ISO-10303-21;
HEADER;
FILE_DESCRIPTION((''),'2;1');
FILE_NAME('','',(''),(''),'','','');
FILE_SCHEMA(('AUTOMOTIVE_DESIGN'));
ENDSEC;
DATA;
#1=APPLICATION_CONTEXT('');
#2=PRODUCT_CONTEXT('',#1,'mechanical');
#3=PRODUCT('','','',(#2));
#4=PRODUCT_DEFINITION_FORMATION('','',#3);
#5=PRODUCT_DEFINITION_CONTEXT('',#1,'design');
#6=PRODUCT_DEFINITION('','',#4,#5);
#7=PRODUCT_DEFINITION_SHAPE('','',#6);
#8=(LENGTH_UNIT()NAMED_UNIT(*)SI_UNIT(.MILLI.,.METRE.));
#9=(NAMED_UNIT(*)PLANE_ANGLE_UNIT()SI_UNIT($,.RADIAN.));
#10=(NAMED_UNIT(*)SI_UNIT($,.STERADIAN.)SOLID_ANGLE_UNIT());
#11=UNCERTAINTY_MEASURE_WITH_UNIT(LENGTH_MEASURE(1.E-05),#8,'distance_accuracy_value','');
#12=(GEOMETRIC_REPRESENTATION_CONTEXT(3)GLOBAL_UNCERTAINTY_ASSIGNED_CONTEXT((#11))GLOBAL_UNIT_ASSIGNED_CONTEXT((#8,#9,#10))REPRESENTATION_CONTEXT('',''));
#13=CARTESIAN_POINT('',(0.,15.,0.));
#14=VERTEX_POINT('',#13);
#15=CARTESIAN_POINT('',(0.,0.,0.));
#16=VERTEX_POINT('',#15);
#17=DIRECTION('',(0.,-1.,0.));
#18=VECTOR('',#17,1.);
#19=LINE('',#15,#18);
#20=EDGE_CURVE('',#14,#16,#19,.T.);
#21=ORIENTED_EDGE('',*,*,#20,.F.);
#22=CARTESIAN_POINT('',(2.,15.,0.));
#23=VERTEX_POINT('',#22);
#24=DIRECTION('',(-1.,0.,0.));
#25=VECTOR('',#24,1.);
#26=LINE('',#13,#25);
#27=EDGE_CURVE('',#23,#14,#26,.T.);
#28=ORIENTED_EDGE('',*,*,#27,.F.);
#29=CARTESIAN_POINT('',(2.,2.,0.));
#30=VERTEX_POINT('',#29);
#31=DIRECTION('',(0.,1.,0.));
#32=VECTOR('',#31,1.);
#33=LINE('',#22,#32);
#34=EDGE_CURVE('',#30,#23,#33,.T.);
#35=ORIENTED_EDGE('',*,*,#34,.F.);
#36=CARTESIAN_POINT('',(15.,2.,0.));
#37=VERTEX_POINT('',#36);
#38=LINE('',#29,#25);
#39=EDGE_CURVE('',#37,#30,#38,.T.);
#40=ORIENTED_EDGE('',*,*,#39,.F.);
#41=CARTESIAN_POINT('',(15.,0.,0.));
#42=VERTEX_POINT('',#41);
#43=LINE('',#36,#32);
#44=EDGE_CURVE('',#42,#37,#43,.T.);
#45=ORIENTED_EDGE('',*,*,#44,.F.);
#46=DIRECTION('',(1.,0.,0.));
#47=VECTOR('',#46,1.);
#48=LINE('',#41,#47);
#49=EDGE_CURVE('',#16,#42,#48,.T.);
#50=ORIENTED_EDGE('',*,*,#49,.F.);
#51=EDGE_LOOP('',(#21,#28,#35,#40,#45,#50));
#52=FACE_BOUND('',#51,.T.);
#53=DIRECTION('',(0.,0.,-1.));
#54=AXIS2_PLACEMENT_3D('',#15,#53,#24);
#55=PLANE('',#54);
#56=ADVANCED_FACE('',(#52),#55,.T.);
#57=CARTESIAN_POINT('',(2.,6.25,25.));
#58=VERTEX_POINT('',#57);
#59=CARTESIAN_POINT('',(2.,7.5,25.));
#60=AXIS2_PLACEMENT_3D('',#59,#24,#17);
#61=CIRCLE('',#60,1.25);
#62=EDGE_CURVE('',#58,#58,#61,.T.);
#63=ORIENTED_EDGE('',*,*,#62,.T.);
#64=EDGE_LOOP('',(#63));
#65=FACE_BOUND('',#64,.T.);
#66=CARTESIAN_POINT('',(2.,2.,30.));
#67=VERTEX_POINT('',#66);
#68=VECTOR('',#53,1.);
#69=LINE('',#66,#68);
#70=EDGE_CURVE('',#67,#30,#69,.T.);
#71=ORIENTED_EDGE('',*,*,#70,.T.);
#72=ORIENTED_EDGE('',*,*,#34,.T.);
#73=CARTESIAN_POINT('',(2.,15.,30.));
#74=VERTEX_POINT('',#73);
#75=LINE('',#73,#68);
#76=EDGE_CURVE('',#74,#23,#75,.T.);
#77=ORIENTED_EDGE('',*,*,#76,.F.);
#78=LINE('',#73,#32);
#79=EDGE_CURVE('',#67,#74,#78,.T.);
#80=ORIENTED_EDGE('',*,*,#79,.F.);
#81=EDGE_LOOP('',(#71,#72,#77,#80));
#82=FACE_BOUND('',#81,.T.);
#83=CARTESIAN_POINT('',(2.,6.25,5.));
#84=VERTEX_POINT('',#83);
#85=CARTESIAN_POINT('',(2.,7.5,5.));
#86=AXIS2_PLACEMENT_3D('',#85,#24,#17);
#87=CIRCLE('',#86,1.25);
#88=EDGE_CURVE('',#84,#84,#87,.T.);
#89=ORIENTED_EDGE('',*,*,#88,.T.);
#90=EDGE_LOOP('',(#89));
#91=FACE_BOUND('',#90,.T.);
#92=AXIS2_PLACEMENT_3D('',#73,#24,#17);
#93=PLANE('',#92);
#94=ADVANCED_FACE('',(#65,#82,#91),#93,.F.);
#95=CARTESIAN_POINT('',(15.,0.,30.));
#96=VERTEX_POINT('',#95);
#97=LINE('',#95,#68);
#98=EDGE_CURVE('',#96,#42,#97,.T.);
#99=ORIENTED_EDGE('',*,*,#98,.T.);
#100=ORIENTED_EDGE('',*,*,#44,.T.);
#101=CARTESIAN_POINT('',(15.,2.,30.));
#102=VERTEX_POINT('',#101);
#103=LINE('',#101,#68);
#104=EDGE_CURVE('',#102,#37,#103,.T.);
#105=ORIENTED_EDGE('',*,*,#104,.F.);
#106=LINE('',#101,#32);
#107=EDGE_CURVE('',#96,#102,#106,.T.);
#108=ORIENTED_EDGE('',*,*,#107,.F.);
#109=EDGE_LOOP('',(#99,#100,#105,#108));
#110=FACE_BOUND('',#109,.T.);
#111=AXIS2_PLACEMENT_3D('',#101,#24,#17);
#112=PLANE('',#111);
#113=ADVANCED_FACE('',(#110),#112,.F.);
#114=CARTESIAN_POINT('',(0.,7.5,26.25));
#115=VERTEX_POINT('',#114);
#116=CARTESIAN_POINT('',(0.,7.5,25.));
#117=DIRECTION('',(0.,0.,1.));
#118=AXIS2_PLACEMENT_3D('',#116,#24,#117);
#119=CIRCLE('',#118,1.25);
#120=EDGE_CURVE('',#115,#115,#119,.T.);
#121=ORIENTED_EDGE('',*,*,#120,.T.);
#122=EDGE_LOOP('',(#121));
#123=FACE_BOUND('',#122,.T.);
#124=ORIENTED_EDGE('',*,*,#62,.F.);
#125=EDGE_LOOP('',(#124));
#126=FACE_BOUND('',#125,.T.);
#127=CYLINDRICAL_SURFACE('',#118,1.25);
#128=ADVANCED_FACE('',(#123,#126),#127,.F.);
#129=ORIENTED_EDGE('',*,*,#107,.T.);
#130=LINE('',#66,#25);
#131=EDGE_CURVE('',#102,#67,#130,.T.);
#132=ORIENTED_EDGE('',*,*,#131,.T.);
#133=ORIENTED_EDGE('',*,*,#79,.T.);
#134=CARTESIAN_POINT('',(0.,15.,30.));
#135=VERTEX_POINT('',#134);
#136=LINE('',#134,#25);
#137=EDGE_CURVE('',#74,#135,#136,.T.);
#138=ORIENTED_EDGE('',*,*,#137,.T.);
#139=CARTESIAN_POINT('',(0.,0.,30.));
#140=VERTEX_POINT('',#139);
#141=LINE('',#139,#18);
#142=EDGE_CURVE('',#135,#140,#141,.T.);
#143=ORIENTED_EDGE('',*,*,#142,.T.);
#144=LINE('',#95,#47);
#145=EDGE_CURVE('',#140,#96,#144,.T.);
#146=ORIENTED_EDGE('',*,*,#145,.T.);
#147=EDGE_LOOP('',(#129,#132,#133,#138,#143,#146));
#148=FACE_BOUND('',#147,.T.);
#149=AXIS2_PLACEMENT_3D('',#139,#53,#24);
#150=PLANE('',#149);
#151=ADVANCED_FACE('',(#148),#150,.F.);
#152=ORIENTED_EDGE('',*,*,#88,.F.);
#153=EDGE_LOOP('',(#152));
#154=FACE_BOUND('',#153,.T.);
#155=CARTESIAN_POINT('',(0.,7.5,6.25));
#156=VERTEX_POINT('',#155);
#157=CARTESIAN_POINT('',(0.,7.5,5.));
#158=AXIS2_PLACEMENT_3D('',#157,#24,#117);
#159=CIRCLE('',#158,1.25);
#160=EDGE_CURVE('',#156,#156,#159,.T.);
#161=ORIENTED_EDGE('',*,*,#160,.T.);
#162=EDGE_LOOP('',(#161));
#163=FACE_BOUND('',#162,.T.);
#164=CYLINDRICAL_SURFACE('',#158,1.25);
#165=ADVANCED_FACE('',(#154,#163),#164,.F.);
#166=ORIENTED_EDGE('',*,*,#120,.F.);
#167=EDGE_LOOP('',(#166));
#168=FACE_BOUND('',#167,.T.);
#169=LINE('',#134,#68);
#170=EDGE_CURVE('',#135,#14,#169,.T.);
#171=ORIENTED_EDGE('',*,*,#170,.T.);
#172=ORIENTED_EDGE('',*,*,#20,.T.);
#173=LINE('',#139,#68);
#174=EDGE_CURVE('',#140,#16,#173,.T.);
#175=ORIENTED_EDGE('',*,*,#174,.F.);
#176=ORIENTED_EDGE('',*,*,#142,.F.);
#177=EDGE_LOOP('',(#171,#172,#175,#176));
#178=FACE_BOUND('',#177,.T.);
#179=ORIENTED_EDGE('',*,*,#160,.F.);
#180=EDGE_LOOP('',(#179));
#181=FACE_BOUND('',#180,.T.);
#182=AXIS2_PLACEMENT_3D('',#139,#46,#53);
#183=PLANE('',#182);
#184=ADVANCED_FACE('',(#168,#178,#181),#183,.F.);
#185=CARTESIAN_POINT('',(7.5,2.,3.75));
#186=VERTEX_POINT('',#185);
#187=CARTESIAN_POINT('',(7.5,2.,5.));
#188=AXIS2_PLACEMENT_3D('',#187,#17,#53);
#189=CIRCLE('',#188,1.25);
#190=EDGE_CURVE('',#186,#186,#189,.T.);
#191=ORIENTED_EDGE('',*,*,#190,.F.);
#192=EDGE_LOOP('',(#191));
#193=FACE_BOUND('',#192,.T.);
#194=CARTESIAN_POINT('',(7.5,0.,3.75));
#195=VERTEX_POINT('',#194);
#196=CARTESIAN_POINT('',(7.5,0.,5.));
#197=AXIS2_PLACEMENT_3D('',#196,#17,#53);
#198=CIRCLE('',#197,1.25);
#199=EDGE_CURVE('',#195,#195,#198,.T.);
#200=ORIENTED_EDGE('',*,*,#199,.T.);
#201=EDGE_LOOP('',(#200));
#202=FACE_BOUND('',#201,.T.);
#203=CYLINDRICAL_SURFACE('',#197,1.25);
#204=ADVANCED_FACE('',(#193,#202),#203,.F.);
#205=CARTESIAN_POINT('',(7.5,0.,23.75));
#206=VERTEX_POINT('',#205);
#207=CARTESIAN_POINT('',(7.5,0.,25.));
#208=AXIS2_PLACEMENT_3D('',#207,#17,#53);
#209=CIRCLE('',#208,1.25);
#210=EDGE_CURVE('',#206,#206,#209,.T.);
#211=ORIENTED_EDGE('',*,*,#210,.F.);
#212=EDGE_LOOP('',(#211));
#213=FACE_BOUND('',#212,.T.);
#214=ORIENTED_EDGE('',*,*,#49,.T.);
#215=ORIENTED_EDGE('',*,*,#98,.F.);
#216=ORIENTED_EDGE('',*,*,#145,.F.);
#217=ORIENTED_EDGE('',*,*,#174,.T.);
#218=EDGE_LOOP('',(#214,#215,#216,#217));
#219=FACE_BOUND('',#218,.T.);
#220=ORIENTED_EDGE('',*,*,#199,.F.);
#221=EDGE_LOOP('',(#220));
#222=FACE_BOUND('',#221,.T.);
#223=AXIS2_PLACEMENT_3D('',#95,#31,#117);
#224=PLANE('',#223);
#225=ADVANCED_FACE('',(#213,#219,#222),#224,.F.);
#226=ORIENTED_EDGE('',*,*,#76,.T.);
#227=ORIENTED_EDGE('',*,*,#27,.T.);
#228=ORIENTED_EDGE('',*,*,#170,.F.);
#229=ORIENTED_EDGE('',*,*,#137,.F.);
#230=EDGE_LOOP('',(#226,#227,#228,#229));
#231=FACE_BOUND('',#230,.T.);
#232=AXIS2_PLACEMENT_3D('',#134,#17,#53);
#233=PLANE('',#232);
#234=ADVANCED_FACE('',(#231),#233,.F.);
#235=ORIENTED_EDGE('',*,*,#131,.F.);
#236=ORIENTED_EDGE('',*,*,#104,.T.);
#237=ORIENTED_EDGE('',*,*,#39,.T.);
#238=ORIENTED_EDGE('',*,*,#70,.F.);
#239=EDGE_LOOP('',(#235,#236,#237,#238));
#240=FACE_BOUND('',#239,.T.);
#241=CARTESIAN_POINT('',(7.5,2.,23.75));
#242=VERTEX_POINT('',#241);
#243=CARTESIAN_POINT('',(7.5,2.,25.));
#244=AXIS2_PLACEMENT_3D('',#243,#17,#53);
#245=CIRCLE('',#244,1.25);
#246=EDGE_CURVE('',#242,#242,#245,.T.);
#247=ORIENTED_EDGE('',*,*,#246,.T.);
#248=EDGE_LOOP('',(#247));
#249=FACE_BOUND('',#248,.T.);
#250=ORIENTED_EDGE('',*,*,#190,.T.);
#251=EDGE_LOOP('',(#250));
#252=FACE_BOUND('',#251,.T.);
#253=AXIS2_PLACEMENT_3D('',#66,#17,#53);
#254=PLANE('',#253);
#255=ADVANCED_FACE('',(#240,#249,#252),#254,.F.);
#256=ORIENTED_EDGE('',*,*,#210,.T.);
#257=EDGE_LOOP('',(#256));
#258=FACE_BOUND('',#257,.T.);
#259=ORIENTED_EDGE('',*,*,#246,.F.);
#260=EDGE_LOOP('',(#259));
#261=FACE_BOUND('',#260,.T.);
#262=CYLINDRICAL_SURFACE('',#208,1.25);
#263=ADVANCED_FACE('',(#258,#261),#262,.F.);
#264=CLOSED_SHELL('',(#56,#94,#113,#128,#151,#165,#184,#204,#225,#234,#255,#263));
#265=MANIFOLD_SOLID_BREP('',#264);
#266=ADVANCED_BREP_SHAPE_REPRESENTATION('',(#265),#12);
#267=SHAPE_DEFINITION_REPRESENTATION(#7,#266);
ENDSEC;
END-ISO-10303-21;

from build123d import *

# Parameters (mm, degrees)
EXTRUDE_1_DEPTH          = 30
M3X0_5_1_D               = 2.5
M3X0_5_1_DEPTH           = 8.5
M3X0_5_1_TIP             = 0.751075774
M3X0_5_1_ON_FACE_2_D     = 2.5
M3X0_5_1_ON_FACE_2_DEPTH = 8.5
M3X0_5_1_ON_FACE_2_TIP   = 0.751075774


with BuildPart() as part:
    # ｽｹｯﾁ1 → ﾎﾞｽ - 押し出し1 (new body)
    with BuildSketch(Plane.XY):
        Polygon((0, 0), (0, 15), (2, 15), (2, 2), (15, 2), (15, 0), align=None)
    extrude(amount=EXTRUDE_1_DEPTH)

    # M3x0.5 ねじ穴1
    with Locations(Plane(origin=(7.5, 0, 5), x_dir=(0, 0, -1), z_dir=(0, -1, 0))):
        with Locations((0, 0), (-20, 0)):
            Hole(M3X0_5_1_D / 2, depth=M3X0_5_1_DEPTH)
            with Locations((0, 0, -(M3X0_5_1_DEPTH + M3X0_5_1_TIP / 2))):  # 118° drill point
                Cone(0, M3X0_5_1_D / 2, M3X0_5_1_TIP, mode=Mode.SUBTRACT)

    # M3x0.5 ねじ穴1 on face 2
    with Locations(Plane(origin=(0, 7.5, 25), x_dir=(0, 0, -1), z_dir=(-1, 0, 0))):
        with Locations((0, 0), (20, 0)):
            Hole(M3X0_5_1_ON_FACE_2_D / 2, depth=M3X0_5_1_ON_FACE_2_DEPTH)
            with Locations((0, 0, -(M3X0_5_1_ON_FACE_2_DEPTH + M3X0_5_1_ON_FACE_2_TIP / 2))):  # 118° drill point
                Cone(0, M3X0_5_1_ON_FACE_2_D / 2, M3X0_5_1_ON_FACE_2_TIP, mode=Mode.SUBTRACT)


solid = part.part
